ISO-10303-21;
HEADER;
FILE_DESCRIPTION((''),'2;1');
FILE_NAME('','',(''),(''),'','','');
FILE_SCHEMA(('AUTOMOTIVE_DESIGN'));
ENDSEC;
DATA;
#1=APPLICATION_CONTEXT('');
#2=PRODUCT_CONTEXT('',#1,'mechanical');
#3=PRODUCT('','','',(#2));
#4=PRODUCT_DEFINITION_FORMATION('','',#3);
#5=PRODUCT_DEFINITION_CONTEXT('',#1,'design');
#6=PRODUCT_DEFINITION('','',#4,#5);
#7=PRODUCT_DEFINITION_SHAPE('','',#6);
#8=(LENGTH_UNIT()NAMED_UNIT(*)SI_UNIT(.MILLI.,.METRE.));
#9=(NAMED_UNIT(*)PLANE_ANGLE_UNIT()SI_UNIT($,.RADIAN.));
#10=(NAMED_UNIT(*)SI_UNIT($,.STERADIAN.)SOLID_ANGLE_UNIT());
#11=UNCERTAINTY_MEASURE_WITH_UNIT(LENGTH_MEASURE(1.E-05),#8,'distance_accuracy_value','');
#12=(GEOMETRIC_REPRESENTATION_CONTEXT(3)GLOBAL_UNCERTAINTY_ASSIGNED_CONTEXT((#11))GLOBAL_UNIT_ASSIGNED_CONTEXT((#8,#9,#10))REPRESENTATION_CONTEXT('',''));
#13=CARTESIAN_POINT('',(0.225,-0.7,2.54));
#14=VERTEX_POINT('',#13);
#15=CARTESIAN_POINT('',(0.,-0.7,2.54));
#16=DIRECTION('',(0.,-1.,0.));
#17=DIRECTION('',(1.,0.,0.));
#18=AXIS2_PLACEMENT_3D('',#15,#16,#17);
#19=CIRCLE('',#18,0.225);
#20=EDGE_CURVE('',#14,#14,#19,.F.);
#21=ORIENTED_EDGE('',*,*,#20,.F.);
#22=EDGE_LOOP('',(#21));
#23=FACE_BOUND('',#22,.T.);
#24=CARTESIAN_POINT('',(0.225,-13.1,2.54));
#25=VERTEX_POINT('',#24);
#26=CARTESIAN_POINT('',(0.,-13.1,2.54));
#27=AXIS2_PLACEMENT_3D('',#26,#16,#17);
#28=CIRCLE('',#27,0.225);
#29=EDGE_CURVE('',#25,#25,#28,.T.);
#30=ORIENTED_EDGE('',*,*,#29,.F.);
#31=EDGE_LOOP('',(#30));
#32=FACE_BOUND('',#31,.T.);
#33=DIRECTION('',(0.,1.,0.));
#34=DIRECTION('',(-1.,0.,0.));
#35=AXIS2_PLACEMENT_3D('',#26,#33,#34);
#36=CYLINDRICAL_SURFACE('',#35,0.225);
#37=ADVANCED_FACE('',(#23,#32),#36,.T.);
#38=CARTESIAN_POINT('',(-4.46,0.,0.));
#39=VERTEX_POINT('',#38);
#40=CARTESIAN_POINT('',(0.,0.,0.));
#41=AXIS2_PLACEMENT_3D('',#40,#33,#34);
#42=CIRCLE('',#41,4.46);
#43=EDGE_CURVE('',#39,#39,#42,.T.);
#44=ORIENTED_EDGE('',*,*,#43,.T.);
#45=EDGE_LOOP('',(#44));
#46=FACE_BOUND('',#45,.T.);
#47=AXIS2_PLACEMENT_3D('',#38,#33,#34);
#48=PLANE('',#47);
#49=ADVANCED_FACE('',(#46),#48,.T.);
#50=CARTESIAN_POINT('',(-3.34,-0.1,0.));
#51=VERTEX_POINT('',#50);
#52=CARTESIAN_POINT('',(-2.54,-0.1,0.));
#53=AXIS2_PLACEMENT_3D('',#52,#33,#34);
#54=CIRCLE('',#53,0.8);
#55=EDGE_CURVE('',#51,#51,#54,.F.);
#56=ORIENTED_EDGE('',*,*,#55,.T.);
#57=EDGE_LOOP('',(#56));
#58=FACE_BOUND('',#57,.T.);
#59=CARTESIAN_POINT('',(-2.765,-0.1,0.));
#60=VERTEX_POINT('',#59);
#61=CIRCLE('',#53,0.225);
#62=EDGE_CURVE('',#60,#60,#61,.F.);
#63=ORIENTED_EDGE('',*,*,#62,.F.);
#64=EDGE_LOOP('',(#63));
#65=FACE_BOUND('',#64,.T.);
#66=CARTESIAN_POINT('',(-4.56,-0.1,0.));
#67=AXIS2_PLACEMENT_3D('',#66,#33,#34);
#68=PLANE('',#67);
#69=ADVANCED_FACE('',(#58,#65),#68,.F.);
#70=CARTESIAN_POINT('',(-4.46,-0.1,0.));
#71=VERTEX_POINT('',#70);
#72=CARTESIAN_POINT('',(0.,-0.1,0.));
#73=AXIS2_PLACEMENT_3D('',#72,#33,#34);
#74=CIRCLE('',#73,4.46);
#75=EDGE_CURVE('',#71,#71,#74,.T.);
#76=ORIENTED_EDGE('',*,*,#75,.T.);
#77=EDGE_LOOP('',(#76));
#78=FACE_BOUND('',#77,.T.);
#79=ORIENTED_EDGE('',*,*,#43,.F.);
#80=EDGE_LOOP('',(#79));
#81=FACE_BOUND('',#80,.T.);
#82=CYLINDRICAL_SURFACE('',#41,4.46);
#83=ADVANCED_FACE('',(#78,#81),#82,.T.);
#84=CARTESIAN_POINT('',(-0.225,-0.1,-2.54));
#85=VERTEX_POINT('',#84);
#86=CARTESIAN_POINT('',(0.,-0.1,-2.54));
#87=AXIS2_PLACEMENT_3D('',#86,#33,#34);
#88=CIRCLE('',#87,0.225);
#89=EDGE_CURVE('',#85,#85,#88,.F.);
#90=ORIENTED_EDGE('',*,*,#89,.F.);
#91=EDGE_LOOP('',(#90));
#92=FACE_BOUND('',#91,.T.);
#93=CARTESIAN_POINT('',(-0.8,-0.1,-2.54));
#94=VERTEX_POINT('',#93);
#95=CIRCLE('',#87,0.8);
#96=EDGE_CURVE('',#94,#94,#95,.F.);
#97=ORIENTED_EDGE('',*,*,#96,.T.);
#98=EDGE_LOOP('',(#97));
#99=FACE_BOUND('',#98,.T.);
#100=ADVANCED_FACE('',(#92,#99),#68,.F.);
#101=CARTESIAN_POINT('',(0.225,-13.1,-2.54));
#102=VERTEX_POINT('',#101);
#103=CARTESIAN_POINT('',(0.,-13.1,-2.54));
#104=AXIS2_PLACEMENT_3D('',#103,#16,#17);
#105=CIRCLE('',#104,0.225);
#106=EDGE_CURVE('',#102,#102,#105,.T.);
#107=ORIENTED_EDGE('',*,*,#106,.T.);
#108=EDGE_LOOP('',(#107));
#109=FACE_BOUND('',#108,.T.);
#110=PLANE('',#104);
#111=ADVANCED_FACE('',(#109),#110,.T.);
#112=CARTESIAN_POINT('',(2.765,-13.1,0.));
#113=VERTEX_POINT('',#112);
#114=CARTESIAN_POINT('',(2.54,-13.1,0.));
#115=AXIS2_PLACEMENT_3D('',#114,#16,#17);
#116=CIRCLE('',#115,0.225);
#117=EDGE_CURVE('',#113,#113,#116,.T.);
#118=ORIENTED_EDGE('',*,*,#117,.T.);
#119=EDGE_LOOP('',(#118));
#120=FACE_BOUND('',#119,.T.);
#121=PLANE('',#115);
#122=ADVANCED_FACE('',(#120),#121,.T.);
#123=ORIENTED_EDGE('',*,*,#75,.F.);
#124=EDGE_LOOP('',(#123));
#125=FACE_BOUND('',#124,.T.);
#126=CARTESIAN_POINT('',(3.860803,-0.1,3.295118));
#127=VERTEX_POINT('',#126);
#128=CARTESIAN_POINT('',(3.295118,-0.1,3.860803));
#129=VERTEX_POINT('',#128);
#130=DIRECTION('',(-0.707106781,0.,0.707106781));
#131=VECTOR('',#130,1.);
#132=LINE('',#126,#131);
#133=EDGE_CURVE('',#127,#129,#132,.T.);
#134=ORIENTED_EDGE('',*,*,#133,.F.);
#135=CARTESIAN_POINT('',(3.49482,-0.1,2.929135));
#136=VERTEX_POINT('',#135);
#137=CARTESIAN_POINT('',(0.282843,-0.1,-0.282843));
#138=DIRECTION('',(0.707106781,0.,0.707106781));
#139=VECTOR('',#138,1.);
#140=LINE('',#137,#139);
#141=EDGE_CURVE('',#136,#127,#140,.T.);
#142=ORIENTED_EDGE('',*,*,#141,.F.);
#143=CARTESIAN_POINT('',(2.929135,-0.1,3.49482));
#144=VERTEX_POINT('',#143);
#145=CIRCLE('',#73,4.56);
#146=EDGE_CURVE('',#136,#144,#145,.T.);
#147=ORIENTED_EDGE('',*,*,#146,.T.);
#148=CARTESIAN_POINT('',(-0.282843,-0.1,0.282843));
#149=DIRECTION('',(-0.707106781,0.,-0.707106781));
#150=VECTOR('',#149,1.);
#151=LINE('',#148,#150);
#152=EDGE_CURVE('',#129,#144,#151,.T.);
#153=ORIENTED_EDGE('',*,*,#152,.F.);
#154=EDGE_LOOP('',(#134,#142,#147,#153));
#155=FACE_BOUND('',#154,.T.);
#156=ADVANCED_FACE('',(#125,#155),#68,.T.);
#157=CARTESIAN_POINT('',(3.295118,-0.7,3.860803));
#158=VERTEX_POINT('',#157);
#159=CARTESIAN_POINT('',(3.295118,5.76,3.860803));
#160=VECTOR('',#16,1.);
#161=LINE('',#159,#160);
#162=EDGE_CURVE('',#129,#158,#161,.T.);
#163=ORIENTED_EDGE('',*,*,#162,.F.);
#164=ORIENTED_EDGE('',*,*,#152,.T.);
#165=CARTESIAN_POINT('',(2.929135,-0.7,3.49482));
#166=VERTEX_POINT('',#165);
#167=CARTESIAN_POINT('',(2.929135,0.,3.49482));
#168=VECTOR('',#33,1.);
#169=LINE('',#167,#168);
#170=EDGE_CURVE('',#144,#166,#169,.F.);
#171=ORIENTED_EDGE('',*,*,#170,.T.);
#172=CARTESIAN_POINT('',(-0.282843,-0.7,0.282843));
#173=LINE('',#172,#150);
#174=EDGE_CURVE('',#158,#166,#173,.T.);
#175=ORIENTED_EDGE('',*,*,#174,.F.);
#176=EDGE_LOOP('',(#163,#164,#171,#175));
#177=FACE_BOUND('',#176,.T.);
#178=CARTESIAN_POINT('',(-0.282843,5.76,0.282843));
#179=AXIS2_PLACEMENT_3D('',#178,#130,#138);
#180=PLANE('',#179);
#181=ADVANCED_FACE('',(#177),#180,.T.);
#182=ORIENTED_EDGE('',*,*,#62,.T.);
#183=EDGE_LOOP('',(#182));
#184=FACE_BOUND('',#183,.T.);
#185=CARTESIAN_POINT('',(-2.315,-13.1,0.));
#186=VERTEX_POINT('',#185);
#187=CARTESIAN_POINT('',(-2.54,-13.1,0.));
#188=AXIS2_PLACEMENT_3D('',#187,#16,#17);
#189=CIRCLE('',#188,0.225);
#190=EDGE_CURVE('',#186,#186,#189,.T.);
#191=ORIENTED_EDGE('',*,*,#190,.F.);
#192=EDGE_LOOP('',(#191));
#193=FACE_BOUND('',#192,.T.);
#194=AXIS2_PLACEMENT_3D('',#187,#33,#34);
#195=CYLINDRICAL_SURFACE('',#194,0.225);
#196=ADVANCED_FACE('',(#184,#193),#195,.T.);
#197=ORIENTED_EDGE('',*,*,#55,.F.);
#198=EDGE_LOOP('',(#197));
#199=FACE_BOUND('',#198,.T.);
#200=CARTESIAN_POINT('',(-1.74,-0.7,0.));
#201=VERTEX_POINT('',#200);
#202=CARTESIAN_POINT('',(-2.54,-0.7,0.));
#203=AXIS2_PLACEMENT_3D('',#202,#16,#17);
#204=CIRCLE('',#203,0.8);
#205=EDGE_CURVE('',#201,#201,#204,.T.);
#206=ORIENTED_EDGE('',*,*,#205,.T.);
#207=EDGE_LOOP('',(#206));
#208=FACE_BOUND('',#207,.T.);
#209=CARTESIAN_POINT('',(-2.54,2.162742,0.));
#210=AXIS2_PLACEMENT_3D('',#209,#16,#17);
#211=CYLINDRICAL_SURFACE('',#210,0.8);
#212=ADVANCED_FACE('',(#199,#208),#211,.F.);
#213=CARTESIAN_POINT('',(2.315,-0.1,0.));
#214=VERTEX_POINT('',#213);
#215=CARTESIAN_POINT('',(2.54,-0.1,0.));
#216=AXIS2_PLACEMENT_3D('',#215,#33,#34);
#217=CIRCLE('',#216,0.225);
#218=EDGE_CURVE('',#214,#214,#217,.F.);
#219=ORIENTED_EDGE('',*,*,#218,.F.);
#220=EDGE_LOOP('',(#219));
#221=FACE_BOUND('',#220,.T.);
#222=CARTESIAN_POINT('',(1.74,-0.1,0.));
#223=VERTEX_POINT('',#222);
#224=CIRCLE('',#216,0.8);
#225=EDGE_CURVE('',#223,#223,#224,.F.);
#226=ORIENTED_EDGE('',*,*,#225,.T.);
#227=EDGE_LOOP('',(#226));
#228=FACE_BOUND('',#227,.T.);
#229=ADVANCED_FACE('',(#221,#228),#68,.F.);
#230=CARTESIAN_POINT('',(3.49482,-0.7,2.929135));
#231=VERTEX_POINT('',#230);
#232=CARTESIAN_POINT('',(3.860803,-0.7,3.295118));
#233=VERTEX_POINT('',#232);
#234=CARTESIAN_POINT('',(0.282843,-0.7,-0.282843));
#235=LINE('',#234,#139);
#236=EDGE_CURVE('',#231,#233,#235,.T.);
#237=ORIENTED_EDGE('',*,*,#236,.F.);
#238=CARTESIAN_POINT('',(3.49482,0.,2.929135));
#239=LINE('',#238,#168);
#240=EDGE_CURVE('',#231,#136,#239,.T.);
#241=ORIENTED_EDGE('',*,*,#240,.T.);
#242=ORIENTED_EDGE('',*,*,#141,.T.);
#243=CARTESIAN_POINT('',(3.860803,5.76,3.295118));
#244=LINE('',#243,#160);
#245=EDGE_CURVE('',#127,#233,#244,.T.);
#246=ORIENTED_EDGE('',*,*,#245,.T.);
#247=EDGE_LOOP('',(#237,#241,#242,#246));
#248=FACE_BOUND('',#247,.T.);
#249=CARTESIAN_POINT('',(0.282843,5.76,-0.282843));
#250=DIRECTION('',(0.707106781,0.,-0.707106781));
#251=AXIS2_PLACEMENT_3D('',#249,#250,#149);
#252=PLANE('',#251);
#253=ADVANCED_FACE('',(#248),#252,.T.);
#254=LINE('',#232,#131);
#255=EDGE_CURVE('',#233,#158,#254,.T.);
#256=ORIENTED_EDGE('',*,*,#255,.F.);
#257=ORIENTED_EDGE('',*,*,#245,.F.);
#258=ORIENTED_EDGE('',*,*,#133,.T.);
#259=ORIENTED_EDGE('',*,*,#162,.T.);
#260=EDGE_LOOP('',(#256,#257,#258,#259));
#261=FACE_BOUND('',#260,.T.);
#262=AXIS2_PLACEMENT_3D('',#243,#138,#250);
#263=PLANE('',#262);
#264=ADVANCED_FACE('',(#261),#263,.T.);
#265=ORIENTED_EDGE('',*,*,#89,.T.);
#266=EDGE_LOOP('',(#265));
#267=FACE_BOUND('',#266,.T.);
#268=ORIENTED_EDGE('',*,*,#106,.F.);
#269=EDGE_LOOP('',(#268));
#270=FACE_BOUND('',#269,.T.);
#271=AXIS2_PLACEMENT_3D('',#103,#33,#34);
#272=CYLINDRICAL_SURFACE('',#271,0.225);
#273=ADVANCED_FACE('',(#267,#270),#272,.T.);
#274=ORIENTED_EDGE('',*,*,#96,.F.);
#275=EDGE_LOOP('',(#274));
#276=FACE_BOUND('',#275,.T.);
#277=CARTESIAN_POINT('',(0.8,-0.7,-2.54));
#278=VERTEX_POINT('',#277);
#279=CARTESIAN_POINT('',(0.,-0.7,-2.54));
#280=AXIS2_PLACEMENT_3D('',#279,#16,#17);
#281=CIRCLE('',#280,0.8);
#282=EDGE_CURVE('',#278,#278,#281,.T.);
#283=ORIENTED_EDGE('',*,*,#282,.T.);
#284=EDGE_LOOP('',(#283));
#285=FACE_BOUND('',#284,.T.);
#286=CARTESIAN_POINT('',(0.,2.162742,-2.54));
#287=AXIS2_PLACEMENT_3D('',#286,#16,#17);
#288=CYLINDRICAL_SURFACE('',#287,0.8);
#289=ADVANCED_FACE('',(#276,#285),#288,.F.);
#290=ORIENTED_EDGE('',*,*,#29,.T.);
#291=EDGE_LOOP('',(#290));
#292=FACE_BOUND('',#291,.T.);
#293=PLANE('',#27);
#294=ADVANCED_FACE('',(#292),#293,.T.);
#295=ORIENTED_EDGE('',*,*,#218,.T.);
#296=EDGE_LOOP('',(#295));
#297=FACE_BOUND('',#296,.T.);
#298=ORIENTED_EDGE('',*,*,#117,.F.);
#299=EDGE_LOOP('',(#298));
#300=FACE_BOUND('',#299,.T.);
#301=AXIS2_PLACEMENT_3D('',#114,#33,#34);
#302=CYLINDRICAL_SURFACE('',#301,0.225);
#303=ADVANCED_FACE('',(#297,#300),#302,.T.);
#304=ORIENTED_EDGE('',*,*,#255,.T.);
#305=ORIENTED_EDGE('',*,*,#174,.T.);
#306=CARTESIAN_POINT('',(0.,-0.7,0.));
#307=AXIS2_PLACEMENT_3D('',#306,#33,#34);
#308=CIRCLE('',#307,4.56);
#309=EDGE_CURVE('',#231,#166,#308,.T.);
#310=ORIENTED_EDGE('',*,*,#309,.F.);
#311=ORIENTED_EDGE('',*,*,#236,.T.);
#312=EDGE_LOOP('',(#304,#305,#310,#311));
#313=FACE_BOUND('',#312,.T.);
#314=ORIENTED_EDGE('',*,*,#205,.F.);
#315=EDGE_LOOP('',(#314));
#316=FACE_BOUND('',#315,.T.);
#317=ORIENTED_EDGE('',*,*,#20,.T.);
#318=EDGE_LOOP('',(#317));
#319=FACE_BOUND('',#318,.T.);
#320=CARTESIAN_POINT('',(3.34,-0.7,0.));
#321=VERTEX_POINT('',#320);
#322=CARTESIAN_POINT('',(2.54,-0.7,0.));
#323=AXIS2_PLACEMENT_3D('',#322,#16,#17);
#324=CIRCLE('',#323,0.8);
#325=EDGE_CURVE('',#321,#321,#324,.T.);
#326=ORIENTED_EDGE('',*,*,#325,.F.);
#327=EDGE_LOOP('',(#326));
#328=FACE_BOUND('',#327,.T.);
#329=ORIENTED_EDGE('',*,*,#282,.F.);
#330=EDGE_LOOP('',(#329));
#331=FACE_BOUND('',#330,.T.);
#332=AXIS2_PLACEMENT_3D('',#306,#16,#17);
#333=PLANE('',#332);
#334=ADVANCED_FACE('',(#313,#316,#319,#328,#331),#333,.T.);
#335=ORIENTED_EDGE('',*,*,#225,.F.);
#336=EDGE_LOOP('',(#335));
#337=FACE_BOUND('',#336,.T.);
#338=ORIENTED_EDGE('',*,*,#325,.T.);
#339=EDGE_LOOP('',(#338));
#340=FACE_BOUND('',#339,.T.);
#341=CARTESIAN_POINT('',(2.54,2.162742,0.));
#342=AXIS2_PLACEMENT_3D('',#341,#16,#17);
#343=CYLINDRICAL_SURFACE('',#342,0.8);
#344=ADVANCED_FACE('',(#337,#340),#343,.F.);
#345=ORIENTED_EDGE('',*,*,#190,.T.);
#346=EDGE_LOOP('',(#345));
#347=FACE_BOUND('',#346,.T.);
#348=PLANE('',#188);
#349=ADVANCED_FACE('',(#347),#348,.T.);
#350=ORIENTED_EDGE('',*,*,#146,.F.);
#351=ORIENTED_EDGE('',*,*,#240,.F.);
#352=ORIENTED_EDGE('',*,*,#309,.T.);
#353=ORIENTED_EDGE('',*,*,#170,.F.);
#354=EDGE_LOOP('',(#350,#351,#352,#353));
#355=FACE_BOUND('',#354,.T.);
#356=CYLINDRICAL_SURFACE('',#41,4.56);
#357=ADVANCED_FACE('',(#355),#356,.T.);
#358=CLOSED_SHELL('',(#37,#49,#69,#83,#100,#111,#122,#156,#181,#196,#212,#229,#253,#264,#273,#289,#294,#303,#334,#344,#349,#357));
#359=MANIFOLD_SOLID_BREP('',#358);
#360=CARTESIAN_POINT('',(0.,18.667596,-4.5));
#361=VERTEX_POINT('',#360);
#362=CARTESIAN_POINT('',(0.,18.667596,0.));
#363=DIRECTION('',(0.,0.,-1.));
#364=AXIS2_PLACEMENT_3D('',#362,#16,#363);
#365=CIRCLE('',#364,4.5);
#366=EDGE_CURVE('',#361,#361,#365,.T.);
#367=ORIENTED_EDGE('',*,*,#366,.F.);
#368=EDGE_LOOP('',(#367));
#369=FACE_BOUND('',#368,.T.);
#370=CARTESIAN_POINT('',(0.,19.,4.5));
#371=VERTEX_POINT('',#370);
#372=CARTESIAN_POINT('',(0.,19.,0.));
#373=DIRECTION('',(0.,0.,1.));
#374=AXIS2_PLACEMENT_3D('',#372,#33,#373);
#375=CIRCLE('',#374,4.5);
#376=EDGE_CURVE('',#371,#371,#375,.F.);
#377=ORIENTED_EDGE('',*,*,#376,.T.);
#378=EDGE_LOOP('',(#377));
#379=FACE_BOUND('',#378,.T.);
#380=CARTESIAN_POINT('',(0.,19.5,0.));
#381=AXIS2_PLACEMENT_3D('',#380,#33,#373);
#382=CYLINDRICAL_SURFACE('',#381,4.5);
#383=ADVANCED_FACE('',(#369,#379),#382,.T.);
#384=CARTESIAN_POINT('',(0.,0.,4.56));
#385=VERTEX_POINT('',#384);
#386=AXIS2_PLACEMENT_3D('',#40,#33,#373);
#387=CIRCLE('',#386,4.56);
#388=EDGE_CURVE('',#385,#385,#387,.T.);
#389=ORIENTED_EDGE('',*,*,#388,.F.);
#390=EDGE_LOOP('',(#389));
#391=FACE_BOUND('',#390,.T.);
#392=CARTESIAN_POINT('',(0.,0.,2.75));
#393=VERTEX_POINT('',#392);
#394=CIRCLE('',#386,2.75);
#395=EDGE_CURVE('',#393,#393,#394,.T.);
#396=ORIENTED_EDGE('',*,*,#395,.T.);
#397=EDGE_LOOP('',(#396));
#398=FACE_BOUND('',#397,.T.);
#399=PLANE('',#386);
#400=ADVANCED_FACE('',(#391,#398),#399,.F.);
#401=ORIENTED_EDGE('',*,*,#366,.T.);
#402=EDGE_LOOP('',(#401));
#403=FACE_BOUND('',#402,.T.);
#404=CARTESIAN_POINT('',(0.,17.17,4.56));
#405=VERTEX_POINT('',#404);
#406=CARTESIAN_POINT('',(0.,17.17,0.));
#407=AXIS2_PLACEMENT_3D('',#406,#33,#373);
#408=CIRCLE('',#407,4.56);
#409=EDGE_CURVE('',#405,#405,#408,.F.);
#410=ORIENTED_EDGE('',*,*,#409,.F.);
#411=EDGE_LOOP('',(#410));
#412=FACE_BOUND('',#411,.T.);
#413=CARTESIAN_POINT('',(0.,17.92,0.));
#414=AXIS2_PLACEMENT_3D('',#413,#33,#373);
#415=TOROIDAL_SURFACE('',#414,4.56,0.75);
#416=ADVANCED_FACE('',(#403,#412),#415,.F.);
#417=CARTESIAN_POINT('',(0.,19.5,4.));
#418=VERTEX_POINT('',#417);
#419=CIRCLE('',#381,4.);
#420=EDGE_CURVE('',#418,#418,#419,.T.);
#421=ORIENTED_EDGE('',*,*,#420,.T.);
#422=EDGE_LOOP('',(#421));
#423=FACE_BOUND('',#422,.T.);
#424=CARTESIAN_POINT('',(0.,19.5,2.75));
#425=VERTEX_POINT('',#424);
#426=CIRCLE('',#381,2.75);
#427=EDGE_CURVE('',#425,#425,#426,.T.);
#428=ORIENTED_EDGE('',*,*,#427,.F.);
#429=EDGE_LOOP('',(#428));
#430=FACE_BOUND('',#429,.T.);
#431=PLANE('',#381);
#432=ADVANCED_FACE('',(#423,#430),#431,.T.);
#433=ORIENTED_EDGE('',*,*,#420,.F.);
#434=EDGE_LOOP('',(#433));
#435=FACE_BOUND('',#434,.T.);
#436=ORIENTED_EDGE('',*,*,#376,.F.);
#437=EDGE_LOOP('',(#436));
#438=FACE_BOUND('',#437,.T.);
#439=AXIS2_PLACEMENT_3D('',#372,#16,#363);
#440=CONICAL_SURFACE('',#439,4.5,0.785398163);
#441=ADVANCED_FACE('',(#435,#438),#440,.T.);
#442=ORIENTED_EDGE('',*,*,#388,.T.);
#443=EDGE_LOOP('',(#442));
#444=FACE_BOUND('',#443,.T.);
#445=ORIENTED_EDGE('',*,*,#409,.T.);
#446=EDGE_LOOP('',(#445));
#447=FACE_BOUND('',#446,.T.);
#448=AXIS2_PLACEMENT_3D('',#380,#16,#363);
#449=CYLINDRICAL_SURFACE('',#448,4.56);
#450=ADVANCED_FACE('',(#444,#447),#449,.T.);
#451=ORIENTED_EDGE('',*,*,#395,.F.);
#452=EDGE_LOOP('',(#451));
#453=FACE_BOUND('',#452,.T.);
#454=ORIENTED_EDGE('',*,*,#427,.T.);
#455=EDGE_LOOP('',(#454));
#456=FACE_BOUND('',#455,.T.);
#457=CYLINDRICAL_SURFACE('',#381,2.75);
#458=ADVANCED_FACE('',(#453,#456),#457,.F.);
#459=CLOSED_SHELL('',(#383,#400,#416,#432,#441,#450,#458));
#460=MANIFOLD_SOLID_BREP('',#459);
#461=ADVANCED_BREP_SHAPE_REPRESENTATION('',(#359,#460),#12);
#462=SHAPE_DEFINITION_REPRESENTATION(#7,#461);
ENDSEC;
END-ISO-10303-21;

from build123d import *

# Parameters (mm, degrees)
SCHIZZO1_R                   = 4.56
ESTRUSIONE_ESTRUSIONE1_DEPTH = 19.5
SCHIZZO2_R                   = 0.75
SCHIZZO3_W                   = 2.392896604
SCHIZZO3_H                   = 1.50856525
SMUSSO1_SIZE                 = 0.5
FORO_PER_VITE_M5_1_D         = 5.5
ESTRUSIONE_ESTRUSIONE2_DEPTH = 0.6
SCHIZZO9_R                   = 0.8
TAGLIO_ESTRUSIONE1_DEPTH     = 0.6
SCHIZZO10_R                  = 0.225
ESTRUSIONE_ESTRUSIONE3_DEPTH = 13


with BuildPart() as part:
    # Schizzo1 → Estrusione-Estrusione1 (new body)
    with BuildSketch(Plane(origin=(0, 0, 0), x_dir=(1, 0, 0), z_dir=(0, 1, 0))):
        with Locations(Location((0, 0, 0), (0, 0, 270))):
            Circle(SCHIZZO1_R)
    extrude(amount=ESTRUSIONE_ESTRUSIONE1_DEPTH)

    # Schizzo2 → Taglia-Rivoluzione1 (revolve, cut)
    with BuildSketch(Plane.XY, mode=Mode.PRIVATE) as taglia_rivoluzione1_sk:
        with Locations((-4.56, 17.92)):
            Circle(SCHIZZO2_R)
    revolve(taglia_rivoluzione1_sk.sketch.rotate(Axis((0, 19.5, 0), (0, -1, 0)), 270), axis=Axis((0, 19.5, 0), (0, -1, 0)), mode=Mode.SUBTRACT)

    # Schizzo3 → Taglia-Rivoluzione2 (revolve, cut)
    with BuildSketch(Plane.XY, mode=Mode.PRIVATE) as taglia_rivoluzione2_sk:
        with Locations((-5.696448302, 18.983195512)):
            Rectangle(SCHIZZO3_W, SCHIZZO3_H)
    revolve(taglia_rivoluzione2_sk.sketch.rotate(Axis((0, 19.5, 0), (0, -1, 0)), 270), axis=Axis((0, 19.5, 0), (0, -1, 0)), mode=Mode.SUBTRACT)

    # Smusso1
    smusso1_edges = [part.edges().sort_by_distance(p)[0] for p in [
        (0, 19.5, -4.5),
    ]]
    chamfer(smusso1_edges, length=SMUSSO1_SIZE)

    # Foro per Vite M5-1 (through all)
    with Locations(Plane.ZX.offset(19.5)):
        with Locations((0, 0)):
            Hole(FORO_PER_VITE_M5_1_D / 2)


with BuildPart() as body_2:
    # Schizzo7 → Rivoluzione1 (revolve)
    with BuildSketch(Plane.XY):
        Polygon((0, 0), (0, -0.7), (-4.56, -0.7), (-4.56, -0.1), (-4.46, -0.1), (-4.46, 0), align=None)
    revolve(axis=Axis((0, 0, 0), (0, -1, 0)))

    # Schizzo8 → Estrusione-Estrusione2 (add)
    with BuildSketch(Plane.XZ.offset(0.7)):
        Polygon((0.282842712, -0.282842712), (3.860803025, 3.2951176), (3.577960313, 3.577960313), (3.2951176, 3.860803025), (-0.282842712, 0.282842712), align=None)
    extrude(amount=-ESTRUSIONE_ESTRUSIONE2_DEPTH)

    # Schizzo9 → Taglio-Estrusione1 (cut)
    with BuildSketch(Plane.XZ.offset(0.7)):
        with Locations((2.54, 0)):
            Circle(SCHIZZO9_R)
        with Locations((0, -2.54)):
            Circle(SCHIZZO9_R)
        with Locations((-2.54, 0)):
            Circle(SCHIZZO9_R)
    extrude(amount=-TAGLIO_ESTRUSIONE1_DEPTH, mode=Mode.SUBTRACT)

    # Schizzo10 → Estrusione-Estrusione3 (add)
    with BuildSketch(Plane.XZ.offset(0.1)):
        with Locations((0, 2.54)):
            Circle(SCHIZZO10_R)
        with Locations(Location((2.54, 0, 0), (0, 0, 180))):
            Circle(SCHIZZO10_R)
        with Locations(Location((0, -2.54, 0), (0, 0, 180))):
            Circle(SCHIZZO10_R)
        with Locations(Location((-2.54, 0, 0), (0, 0, 180))):
            Circle(SCHIZZO10_R)
    extrude(amount=ESTRUSIONE_ESTRUSIONE3_DEPTH)


solid = Compound([part.part, body_2.part])
